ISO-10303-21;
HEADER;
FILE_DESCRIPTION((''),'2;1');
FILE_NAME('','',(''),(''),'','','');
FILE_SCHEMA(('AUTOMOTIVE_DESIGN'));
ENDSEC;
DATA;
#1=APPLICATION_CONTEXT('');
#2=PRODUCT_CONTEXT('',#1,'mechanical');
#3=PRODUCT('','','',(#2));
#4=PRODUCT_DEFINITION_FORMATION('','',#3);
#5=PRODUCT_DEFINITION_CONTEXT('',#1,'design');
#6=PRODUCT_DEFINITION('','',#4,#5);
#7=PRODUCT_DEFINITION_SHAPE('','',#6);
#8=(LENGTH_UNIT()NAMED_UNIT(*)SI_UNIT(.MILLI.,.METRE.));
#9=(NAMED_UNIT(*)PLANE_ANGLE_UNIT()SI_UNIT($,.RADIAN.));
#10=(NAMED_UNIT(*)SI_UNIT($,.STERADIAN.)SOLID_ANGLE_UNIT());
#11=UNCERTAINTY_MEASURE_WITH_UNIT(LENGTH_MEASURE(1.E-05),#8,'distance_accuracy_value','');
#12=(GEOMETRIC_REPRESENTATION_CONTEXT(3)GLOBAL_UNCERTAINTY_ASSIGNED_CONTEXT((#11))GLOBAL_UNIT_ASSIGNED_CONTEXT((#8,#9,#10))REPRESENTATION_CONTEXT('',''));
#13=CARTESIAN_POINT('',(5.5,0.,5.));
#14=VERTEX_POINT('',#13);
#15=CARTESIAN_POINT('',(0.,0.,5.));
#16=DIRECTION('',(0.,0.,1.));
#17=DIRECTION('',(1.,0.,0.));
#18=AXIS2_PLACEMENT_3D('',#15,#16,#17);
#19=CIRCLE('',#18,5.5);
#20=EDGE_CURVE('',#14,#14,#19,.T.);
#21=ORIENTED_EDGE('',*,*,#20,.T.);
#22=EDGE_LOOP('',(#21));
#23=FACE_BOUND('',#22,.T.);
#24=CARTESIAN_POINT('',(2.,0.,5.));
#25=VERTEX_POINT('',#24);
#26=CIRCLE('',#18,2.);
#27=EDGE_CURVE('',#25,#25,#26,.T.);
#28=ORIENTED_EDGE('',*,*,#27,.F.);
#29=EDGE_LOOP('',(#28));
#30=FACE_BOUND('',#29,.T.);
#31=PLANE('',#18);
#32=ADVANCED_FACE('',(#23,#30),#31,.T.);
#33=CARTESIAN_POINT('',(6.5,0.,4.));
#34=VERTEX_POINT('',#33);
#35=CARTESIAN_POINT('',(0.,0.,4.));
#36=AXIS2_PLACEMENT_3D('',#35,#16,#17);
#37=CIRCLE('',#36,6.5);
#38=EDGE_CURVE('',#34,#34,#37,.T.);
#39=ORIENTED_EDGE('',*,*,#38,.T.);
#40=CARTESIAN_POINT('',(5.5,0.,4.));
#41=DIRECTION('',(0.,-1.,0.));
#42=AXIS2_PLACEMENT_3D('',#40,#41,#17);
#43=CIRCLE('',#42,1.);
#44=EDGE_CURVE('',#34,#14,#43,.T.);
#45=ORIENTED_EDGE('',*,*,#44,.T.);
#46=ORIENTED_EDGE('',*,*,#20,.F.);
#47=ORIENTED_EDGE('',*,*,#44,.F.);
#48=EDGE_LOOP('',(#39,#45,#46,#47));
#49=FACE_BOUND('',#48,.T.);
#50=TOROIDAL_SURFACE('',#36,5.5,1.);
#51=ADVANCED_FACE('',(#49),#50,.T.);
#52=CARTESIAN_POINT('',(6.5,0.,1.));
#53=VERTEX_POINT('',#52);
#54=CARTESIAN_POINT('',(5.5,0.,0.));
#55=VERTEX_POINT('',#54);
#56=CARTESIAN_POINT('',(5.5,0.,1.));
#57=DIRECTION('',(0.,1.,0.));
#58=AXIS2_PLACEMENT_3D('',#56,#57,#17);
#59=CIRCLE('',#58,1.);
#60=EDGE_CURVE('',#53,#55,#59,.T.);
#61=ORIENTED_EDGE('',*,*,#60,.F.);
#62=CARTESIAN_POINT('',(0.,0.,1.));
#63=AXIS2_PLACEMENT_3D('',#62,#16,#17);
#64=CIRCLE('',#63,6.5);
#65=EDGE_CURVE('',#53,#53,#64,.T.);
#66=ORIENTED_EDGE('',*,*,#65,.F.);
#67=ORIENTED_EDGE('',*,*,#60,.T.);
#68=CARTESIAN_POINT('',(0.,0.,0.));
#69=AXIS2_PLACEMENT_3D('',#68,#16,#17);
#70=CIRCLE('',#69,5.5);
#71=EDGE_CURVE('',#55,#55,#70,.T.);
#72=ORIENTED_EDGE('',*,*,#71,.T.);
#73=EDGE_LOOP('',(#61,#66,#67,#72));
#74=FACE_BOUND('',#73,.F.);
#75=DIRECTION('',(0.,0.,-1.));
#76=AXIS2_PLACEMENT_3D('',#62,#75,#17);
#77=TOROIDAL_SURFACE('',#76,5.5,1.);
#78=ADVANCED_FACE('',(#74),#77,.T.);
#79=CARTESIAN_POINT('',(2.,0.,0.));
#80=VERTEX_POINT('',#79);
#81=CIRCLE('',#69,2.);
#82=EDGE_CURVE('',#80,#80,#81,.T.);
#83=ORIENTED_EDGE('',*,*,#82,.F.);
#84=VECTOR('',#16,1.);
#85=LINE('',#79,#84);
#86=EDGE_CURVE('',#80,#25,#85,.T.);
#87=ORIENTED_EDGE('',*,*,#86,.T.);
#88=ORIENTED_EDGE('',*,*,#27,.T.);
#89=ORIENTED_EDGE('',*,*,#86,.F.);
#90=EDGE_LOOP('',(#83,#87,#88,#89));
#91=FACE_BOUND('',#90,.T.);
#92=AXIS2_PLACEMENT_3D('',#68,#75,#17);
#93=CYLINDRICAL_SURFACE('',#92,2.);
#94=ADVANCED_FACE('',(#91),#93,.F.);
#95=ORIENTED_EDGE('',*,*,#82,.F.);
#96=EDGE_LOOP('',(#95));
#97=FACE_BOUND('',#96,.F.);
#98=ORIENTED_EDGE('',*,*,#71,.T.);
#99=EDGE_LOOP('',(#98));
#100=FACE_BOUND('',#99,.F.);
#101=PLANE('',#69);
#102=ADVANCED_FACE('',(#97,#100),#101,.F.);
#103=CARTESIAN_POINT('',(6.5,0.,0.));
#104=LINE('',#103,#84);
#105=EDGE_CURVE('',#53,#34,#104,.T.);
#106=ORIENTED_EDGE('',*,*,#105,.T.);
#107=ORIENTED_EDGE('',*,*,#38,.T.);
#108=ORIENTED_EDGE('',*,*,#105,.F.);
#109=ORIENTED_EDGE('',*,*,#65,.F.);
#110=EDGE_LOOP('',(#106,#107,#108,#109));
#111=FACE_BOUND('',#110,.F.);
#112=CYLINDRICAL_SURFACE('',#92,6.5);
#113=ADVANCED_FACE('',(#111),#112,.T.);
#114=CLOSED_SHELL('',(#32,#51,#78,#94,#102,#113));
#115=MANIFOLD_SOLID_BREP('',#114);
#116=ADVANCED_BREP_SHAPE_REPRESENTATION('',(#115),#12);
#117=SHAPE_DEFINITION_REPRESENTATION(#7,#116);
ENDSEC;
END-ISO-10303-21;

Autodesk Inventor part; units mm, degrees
ref_plane "YZ Plane" through (0, 0, 0) normal (1, 0, 0) x (0, 1, 0)
ref_plane "XZ Plane" through (0, 0, 0) normal (0, 1, 0) x (-1, 0, 0)
ref_plane "XY Plane" through (0, 0, 0) normal (0, 0, 1) x (1, 0, 0)
sketch "Sketch1" plane through (0, 0, 0) normal (0, 0, 1) x (1, 0, 0)
  circle A0 centre (0, 0) radius 6.5
  circle A1 centre (0, 0) radius 2
  dimension "d0" = 13
  dimension "d1" = 4
extrude "Extrusion1" add sketch "Sketch1" along normal blind 5
fillet "Fillet1" radius 1 2 edges at (-6.5, 0, 5) (-6.5, 0, 0)
properties part number "14x4x4mm Bearing" material "Steel, Carbon"
